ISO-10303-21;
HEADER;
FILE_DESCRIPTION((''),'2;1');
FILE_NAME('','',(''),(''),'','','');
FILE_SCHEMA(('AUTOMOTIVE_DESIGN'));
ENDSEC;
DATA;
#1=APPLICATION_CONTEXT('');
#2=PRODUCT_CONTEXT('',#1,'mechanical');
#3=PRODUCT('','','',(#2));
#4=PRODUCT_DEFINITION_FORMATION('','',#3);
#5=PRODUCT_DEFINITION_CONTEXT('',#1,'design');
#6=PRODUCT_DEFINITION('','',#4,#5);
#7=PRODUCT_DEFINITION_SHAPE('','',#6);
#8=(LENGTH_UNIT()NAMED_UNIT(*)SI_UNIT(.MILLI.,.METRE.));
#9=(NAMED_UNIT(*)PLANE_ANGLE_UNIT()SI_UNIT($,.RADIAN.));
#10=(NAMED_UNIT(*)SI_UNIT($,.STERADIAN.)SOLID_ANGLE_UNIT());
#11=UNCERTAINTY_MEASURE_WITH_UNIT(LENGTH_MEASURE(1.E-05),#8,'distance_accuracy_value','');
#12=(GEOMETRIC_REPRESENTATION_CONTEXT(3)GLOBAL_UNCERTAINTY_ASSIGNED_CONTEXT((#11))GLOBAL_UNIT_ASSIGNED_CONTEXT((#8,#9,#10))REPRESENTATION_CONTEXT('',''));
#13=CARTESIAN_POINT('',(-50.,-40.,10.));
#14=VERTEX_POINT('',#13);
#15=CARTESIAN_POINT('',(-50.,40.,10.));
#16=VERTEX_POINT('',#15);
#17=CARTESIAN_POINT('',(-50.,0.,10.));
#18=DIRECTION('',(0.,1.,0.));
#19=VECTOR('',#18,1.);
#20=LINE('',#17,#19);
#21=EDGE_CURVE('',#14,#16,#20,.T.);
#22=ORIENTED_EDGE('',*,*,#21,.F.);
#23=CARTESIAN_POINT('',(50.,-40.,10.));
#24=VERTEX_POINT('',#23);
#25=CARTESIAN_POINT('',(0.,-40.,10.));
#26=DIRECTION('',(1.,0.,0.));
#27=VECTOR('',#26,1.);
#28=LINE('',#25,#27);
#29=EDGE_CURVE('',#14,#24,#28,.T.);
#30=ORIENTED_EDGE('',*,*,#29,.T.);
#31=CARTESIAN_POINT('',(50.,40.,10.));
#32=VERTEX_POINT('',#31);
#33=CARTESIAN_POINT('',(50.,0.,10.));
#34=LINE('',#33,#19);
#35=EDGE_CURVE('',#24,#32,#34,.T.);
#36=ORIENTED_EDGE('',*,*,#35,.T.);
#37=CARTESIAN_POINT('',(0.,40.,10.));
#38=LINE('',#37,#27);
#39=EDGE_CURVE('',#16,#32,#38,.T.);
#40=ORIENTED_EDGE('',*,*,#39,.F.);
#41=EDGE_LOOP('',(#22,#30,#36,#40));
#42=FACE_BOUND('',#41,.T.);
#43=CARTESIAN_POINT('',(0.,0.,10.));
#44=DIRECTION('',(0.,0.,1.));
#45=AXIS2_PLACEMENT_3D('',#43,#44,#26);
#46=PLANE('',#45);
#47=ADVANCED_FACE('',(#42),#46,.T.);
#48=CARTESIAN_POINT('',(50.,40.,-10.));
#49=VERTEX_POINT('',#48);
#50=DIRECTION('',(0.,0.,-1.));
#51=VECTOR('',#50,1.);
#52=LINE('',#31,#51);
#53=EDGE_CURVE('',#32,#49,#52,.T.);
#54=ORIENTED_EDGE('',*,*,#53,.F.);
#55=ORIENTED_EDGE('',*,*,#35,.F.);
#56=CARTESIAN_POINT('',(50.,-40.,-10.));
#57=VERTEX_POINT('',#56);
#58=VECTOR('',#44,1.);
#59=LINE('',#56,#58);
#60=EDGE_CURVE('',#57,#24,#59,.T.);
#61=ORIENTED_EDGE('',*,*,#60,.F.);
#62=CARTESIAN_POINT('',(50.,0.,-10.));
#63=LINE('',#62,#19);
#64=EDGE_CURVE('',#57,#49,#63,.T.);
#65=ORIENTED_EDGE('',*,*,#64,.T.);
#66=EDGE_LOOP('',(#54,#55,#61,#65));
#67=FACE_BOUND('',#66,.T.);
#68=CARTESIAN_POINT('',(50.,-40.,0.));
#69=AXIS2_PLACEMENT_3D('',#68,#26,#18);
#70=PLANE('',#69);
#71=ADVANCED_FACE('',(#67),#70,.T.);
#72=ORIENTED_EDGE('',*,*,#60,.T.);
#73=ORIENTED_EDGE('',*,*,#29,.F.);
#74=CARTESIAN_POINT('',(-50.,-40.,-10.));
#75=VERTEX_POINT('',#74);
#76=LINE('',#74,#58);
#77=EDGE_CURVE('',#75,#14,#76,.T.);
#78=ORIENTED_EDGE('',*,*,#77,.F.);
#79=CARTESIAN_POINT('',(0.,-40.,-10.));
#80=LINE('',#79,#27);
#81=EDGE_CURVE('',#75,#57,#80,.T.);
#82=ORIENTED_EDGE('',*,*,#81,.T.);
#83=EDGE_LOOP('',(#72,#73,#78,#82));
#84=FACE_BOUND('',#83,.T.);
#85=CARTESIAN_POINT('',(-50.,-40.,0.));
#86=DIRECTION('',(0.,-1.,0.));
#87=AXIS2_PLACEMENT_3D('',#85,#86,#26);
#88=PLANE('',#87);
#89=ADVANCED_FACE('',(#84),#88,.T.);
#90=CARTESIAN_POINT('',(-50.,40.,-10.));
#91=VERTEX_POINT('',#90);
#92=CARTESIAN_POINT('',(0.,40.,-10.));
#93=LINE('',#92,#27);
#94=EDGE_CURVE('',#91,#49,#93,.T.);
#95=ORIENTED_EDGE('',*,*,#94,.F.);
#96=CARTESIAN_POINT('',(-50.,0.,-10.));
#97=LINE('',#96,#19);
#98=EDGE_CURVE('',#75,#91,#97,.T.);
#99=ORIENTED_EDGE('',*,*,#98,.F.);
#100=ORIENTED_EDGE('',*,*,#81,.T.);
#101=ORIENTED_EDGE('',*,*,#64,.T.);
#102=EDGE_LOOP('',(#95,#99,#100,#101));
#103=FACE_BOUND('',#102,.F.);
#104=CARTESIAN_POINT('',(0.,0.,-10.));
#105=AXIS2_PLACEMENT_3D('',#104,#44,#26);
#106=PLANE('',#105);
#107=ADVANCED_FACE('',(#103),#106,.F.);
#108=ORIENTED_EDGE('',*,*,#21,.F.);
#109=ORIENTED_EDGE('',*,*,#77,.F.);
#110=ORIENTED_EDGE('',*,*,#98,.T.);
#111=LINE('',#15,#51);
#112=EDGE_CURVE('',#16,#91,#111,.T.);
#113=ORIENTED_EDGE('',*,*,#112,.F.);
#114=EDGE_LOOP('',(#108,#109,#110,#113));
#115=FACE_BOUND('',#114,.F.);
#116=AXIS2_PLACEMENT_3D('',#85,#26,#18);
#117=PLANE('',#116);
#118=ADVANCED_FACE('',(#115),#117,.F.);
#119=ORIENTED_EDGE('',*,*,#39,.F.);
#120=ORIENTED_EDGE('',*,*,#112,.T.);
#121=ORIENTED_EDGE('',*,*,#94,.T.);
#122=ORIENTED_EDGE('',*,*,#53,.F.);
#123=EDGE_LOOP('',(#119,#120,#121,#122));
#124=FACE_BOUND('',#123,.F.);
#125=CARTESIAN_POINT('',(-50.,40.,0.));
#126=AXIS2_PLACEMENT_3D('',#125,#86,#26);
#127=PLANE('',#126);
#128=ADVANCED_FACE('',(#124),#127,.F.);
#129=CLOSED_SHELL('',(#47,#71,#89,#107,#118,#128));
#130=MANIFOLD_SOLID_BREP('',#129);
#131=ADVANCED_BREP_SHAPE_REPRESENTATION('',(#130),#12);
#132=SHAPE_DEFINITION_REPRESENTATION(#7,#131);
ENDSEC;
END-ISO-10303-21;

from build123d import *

# Parameters (mm, degrees)
SKETCH_W  = 100
SKETCH_H  = 80
PAD_DEPTH = 10


with BuildPart() as part:
    # Sketch → Pad (new body, symmetric)
    with BuildSketch(Plane.XY):
        Rectangle(SKETCH_W, SKETCH_H)
    extrude(amount=PAD_DEPTH, both=True)


solid = part.part
